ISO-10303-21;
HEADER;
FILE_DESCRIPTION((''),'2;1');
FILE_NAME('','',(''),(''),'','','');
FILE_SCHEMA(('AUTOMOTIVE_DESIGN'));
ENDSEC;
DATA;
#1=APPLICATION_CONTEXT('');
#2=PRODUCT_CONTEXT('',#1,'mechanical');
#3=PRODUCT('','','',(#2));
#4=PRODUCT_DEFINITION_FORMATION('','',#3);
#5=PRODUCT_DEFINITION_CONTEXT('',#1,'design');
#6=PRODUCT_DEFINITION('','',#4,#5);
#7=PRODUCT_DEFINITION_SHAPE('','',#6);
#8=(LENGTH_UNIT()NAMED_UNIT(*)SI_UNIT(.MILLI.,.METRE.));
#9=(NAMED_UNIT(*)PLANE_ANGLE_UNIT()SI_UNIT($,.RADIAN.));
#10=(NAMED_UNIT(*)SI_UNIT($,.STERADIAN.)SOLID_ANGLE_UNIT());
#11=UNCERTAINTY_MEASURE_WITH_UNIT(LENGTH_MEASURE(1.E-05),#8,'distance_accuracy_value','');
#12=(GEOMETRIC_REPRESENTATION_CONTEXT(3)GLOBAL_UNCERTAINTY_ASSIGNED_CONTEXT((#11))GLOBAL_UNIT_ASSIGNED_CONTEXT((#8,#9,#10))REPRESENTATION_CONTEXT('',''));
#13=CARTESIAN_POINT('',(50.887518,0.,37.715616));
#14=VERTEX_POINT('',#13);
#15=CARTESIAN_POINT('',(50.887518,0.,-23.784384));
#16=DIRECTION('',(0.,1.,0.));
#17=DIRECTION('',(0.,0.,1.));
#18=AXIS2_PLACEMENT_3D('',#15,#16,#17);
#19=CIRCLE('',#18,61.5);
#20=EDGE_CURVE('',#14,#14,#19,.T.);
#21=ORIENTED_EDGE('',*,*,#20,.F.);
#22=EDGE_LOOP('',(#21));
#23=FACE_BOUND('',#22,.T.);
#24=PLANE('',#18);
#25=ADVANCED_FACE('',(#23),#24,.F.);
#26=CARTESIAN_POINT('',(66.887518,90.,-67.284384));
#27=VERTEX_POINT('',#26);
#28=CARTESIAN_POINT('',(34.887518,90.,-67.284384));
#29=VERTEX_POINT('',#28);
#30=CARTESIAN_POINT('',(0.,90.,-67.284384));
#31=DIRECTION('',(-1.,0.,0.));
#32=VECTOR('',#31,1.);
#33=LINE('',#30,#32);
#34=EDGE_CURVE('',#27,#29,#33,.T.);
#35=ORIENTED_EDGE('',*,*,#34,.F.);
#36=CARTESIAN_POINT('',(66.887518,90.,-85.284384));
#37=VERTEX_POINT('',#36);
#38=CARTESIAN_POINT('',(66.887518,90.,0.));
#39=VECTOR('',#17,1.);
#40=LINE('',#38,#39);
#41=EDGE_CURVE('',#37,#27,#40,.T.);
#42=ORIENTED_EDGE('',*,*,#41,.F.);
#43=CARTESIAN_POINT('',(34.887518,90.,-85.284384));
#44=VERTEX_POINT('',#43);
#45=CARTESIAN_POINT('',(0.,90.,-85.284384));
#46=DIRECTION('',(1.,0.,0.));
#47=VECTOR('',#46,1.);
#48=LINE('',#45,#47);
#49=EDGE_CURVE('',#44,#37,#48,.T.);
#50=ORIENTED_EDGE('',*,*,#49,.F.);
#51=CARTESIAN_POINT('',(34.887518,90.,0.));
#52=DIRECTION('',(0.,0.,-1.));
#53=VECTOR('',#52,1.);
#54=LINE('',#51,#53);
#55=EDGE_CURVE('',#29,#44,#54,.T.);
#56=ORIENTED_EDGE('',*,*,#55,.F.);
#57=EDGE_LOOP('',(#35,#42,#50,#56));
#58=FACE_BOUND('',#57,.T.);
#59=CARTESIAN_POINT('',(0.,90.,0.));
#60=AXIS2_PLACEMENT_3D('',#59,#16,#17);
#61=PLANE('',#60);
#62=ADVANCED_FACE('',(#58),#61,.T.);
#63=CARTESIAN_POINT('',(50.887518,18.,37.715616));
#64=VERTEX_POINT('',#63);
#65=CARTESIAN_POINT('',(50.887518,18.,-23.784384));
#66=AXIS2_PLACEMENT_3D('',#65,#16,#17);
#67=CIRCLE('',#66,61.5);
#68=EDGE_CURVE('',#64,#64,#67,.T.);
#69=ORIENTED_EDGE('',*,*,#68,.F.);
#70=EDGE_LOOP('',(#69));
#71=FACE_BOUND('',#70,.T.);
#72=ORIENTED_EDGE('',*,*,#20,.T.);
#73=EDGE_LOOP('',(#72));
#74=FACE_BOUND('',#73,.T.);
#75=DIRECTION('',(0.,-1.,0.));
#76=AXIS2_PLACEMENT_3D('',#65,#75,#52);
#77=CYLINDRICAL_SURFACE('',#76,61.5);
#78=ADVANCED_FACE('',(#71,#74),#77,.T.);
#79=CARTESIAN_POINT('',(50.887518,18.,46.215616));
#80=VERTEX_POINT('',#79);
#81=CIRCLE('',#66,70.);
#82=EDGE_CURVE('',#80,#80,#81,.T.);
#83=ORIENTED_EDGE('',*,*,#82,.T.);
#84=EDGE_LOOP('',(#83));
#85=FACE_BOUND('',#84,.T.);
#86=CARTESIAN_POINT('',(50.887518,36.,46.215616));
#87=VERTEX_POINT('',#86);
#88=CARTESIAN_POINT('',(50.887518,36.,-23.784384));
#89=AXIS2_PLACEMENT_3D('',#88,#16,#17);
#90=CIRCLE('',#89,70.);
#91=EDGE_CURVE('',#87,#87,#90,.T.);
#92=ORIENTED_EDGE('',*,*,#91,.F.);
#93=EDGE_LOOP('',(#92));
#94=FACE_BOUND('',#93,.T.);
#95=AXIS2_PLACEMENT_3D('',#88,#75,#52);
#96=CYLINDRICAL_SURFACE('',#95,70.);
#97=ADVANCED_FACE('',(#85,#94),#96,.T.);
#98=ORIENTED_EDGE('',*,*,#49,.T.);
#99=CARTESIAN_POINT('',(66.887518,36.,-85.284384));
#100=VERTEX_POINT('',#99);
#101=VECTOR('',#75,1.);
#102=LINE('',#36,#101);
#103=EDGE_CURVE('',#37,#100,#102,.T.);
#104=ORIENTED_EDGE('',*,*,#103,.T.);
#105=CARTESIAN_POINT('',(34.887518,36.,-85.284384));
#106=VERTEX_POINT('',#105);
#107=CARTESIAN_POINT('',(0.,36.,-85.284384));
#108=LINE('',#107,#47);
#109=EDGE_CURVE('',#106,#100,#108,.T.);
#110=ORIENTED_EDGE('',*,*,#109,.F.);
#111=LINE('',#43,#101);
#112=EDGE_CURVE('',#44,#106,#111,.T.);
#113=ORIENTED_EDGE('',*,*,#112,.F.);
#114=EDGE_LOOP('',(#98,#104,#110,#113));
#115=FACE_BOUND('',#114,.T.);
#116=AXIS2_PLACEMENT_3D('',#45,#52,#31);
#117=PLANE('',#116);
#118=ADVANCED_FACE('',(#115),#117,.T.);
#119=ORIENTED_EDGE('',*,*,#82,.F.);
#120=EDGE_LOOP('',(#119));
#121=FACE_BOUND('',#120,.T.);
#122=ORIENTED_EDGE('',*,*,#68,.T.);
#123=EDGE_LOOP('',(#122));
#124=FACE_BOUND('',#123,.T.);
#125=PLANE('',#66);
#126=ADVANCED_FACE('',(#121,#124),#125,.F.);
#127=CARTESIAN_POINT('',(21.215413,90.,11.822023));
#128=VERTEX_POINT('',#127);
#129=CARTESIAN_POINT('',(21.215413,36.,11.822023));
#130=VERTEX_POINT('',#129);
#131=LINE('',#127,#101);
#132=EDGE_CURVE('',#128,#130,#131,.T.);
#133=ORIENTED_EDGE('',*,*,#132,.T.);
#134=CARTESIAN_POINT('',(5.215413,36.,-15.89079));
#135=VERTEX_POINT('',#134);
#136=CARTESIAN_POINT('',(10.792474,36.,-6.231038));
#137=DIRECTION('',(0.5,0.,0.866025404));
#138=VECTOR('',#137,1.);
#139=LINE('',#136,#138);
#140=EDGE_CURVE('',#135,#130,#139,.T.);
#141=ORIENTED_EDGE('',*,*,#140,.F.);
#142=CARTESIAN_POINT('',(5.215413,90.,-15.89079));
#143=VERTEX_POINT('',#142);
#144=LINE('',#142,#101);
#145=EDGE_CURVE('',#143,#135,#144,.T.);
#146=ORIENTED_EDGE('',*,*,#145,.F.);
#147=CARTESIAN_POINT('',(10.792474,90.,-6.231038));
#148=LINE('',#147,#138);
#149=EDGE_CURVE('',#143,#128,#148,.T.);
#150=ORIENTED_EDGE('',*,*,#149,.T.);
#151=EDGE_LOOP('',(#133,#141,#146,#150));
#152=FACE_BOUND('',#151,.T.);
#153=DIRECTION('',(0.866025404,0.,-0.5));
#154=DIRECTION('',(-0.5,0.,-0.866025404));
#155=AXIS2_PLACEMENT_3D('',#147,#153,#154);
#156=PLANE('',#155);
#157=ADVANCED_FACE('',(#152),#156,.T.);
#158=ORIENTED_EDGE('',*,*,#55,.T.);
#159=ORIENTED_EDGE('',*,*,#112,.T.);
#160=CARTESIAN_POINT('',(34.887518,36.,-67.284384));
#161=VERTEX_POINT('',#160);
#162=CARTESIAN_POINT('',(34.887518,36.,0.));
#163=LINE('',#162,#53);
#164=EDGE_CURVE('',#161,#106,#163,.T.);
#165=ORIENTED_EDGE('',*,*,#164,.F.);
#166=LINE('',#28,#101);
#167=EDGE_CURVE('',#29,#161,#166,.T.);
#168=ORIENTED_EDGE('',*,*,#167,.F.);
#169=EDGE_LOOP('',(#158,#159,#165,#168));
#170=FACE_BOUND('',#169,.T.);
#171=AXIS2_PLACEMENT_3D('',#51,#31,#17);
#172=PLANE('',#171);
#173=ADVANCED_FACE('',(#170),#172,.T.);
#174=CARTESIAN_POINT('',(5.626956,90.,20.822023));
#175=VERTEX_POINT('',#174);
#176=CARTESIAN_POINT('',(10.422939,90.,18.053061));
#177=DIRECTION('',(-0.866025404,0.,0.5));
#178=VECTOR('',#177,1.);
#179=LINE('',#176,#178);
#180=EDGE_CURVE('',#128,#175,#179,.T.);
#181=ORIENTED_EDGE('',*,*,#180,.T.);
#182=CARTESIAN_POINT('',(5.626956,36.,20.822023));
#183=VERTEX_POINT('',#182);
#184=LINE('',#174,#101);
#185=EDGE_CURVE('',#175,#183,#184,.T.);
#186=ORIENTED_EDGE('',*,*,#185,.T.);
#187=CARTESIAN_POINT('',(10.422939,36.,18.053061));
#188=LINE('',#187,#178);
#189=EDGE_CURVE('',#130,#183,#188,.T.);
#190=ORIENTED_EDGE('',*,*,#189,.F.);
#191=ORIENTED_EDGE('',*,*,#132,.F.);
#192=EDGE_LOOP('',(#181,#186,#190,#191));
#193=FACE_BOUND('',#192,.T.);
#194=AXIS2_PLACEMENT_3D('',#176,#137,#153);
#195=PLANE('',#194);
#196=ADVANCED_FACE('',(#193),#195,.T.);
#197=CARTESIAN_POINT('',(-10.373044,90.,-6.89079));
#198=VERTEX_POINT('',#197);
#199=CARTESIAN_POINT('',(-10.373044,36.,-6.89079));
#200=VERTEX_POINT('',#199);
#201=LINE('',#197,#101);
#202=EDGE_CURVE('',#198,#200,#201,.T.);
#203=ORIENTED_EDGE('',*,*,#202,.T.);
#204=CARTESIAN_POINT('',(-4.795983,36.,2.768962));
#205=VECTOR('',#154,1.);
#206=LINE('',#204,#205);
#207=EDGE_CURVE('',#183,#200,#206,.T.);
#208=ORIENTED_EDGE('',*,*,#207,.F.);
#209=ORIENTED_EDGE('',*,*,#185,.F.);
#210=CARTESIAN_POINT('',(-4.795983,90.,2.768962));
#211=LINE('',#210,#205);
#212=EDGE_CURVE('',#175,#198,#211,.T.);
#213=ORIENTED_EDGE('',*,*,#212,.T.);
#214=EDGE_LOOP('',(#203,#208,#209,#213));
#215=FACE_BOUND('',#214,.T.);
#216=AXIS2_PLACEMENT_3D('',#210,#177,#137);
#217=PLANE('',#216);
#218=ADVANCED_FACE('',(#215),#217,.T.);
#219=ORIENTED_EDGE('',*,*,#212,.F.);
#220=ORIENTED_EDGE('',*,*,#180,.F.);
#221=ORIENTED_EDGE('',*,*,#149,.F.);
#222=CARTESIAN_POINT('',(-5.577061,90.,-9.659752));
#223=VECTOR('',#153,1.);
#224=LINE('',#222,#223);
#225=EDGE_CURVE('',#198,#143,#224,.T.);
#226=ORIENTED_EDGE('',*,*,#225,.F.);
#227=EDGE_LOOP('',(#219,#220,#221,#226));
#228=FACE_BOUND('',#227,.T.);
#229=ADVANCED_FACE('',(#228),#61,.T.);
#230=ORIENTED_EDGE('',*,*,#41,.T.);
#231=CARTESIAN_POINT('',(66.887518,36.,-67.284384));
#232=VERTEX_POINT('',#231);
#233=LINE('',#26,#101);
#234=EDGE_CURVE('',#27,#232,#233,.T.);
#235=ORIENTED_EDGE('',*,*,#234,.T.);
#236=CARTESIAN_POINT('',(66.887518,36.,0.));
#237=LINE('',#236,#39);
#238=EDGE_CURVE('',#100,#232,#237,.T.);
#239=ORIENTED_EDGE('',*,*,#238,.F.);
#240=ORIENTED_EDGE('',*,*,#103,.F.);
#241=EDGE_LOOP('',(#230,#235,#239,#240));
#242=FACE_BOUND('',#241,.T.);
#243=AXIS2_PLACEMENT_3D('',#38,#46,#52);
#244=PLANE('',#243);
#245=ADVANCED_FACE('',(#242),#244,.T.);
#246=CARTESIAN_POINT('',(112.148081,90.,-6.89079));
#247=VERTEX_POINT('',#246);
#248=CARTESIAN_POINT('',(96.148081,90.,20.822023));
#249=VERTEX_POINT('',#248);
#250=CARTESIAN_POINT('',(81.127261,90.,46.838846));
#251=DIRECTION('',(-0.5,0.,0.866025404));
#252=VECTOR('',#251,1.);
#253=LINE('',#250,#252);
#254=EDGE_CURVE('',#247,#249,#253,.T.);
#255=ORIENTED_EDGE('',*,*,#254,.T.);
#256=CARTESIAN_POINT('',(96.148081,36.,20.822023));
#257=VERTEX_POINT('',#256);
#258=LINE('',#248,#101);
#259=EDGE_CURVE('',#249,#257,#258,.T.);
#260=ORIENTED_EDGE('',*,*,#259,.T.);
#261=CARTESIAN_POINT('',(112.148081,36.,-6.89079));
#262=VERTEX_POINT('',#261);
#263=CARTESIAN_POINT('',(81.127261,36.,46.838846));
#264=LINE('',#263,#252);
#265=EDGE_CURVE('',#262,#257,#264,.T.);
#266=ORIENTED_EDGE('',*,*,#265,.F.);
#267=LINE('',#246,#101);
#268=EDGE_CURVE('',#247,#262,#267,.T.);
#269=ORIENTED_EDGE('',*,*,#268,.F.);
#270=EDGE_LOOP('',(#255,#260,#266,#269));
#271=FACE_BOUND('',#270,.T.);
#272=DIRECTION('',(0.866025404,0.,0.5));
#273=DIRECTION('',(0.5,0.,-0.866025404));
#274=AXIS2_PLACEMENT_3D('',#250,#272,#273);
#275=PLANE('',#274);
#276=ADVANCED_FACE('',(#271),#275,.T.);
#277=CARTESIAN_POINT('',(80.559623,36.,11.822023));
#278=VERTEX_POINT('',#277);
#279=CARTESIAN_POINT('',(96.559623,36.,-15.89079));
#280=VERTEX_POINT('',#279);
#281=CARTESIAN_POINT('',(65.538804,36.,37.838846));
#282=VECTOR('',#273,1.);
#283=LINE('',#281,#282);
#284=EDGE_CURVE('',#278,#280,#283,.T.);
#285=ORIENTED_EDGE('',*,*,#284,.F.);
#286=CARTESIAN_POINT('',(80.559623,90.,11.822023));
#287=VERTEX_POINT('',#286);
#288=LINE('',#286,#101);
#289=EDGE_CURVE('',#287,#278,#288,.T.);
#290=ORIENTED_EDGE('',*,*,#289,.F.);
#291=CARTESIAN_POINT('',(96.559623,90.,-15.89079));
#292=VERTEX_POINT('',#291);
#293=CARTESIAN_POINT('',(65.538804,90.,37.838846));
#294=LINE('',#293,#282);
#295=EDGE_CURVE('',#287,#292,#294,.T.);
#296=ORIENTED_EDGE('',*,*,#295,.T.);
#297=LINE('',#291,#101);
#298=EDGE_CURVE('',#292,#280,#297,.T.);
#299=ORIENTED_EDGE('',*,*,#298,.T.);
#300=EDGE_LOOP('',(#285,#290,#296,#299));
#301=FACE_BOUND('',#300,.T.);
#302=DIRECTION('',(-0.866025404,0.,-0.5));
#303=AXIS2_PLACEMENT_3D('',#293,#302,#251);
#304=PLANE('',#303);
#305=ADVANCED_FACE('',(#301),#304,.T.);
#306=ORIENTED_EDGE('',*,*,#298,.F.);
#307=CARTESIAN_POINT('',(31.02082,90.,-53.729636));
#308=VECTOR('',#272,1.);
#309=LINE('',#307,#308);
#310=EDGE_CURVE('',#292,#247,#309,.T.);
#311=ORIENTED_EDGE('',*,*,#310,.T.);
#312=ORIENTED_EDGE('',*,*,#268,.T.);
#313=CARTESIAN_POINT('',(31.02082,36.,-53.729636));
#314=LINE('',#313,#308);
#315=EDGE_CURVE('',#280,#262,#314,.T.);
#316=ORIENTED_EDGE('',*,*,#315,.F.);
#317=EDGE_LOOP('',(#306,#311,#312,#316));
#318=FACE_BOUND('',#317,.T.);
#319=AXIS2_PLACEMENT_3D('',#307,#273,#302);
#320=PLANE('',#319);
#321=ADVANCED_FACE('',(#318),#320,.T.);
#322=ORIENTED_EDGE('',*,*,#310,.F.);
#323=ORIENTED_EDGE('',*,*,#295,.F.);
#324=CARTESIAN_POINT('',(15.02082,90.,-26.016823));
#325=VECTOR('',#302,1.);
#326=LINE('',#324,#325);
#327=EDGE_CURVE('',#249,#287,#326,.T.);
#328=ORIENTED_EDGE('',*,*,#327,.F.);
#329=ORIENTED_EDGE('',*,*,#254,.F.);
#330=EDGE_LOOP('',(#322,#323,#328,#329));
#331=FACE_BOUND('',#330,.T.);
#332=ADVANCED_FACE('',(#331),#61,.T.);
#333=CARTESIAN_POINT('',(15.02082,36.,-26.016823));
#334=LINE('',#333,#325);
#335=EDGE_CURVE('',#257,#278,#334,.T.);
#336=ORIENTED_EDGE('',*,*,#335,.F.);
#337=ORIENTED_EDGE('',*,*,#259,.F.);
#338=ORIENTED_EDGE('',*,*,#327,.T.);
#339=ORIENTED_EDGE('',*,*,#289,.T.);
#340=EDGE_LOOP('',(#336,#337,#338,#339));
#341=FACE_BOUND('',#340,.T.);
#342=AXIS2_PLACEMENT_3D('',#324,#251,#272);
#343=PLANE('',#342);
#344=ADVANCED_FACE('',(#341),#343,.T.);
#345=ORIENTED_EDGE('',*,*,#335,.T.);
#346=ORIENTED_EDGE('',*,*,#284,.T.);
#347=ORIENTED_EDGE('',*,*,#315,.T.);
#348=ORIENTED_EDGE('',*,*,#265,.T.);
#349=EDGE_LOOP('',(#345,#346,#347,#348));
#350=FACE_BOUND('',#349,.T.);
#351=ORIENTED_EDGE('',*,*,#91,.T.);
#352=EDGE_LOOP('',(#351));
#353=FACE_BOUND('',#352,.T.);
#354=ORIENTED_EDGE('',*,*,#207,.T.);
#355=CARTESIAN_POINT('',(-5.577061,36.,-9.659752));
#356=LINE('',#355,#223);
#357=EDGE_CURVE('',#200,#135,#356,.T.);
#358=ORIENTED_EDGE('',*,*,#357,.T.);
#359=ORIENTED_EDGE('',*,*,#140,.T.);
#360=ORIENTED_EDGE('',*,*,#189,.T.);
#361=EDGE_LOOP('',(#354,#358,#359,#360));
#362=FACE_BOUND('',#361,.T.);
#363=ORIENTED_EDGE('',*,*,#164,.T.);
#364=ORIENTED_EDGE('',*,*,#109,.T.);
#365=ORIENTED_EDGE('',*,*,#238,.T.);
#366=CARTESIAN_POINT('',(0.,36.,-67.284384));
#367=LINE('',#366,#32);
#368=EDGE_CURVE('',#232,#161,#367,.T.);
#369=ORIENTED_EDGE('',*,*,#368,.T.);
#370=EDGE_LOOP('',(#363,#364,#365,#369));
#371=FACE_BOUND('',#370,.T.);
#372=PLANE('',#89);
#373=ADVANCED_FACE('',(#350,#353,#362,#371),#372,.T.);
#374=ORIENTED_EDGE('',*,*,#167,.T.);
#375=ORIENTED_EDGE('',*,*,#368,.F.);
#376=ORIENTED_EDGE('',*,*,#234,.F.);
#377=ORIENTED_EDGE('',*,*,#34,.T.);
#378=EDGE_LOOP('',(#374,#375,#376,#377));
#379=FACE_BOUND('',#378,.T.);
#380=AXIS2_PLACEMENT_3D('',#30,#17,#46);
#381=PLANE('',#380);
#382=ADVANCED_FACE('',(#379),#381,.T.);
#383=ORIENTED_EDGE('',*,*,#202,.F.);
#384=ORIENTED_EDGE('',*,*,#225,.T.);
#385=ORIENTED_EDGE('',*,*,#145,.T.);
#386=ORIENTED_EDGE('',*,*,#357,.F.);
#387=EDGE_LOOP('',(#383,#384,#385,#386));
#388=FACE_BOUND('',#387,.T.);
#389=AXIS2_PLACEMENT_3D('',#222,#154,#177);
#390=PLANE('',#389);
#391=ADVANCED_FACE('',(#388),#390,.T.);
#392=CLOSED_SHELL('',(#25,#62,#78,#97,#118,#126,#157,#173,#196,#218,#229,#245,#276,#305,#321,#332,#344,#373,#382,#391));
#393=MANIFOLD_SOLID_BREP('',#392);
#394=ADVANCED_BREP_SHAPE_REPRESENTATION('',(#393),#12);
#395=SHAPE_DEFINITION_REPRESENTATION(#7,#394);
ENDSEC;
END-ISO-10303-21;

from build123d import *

# Parameters (mm, degrees)
ESQUISSE2_R        = 61.5
BOSS_EXTRU_1_DEPTH = 18
ESQUISSE3_R        = 70
BOSS_EXTRU_2_DEPTH = 18
BOSS_EXTRU_3_DEPTH = 54


with BuildPart() as part:
    # Esquisse2 → Boss.-Extru.1 (new body)
    with BuildSketch(Plane(origin=(0, 0, 0), x_dir=(1, 0, 0), z_dir=(0, 1, 0))):
        with Locations(Location((50.887518325, 23.784383565, 0), (0, 0, 270))):
            Circle(ESQUISSE2_R)
    extrude(amount=BOSS_EXTRU_1_DEPTH)

    # Esquisse3 → Boss.-Extru.2 (add)
    with BuildSketch(Plane(origin=(0, 18, 0), x_dir=(1, 0, 0), z_dir=(0, 1, 0))):
        with Locations(Location((50.887518325, 23.784383565, 0), (0, 0, 270))):
            Circle(ESQUISSE3_R)
    extrude(amount=BOSS_EXTRU_2_DEPTH)

    # Esquisse4 → Boss.-Extru.3 (add)
    with BuildSketch(Plane(origin=(0, 36, 0), x_dir=(1, 0, 0), z_dir=(0, 1, 0))):
        with BuildLine():
            ThreePointArc((-2.373044008, -6.965616435), (2.122342369, -13.688374727), (7.460993068, -19.763141096))
            Line((7.460993068, -19.763141096), (21.215413261, -11.822022896))
            Line((21.215413261, -11.822022896), (13.215413261, 2.034383565))
            Line((13.215413261, 2.034383565), (5.215413261, 15.890790026))
            Line((5.215413261, 15.890790026), (-8.539006932, 7.949671825))
            ThreePointArc((-8.539006932, 7.949671825), (-5.947430283, 0.288881513), (-2.373044008, -6.965616435))
        make_face()
        with BuildLine():
            Line((66.887518325, 67.284383565), (66.887518325, 83.166619966))
            ThreePointArc((66.887518325, 83.166619966), (58.957290978, 84.752643909), (50.887518325, 85.284383565))
            ThreePointArc((50.887518325, 85.284383565), (42.817745673, 84.752643909), (34.887518325, 83.166619966))
            Line((34.887518325, 83.166619966), (34.887518325, 67.284383565))
            Line((34.887518325, 67.284383565), (50.887518325, 67.284383565))
            Line((50.887518325, 67.284383565), (66.887518325, 67.284383565))
        make_face()
        with BuildLine():
            ThreePointArc((94.314043582, -19.763141096), (99.652694281, -13.688374727), (104.148080658, -6.965616435))
            ThreePointArc((104.148080658, -6.965616435), (107.722466934, 0.288881513), (110.314043582, 7.949671825))
            Line((110.314043582, 7.949671825), (96.55962339, 15.890790026))
            Line((96.55962339, 15.890790026), (88.55962339, 2.034383565))
            Line((88.55962339, 2.034383565), (80.55962339, -11.822022896))
            Line((80.55962339, -11.822022896), (94.314043582, -19.763141096))
        make_face()
        with BuildLine():
            ThreePointArc((110.314043582, 7.949671825), (107.722466934, 0.288881513), (104.148080658, -6.965616435))
            Line((104.148080658, -6.965616435), (112.148080658, 6.890790026))
            Line((112.148080658, 6.890790026), (110.314043582, 7.949671825))
        make_face()
        with BuildLine():
            Line((96.148080658, -20.822022896), (104.148080658, -6.965616435))
            ThreePointArc((104.148080658, -6.965616435), (99.652694281, -13.688374727), (94.314043582, -19.763141096))
            Line((94.314043582, -19.763141096), (96.148080658, -20.822022896))
        make_face()
        with BuildLine():
            ThreePointArc((50.887518325, 85.284383565), (58.957290978, 84.752643909), (66.887518325, 83.166619966))
            Line((66.887518325, 83.166619966), (66.887518325, 85.284383565))
            Line((66.887518325, 85.284383565), (50.887518325, 85.284383565))
        make_face()
        with BuildLine():
            ThreePointArc((34.887518325, 83.166619966), (42.817745673, 84.752643909), (50.887518325, 85.284383565))
            Line((50.887518325, 85.284383565), (34.887518325, 85.284383565))
            Line((34.887518325, 85.284383565), (34.887518325, 83.166619966))
        make_face()
        with BuildLine():
            Line((5.626955992, -20.822022896), (7.460993068, -19.763141096))
            ThreePointArc((7.460993068, -19.763141096), (2.122342369, -13.688374727), (-2.373044008, -6.965616435))
            Line((-2.373044008, -6.965616435), (5.626955992, -20.822022896))
        make_face()
        with BuildLine():
            Line((-10.373044008, 6.890790026), (-2.373044008, -6.965616435))
            ThreePointArc((-2.373044008, -6.965616435), (-5.947430283, 0.288881513), (-8.539006932, 7.949671825))
            Line((-8.539006932, 7.949671825), (-10.373044008, 6.890790026))
        make_face()
    extrude(amount=BOSS_EXTRU_3_DEPTH)


solid = part.part
